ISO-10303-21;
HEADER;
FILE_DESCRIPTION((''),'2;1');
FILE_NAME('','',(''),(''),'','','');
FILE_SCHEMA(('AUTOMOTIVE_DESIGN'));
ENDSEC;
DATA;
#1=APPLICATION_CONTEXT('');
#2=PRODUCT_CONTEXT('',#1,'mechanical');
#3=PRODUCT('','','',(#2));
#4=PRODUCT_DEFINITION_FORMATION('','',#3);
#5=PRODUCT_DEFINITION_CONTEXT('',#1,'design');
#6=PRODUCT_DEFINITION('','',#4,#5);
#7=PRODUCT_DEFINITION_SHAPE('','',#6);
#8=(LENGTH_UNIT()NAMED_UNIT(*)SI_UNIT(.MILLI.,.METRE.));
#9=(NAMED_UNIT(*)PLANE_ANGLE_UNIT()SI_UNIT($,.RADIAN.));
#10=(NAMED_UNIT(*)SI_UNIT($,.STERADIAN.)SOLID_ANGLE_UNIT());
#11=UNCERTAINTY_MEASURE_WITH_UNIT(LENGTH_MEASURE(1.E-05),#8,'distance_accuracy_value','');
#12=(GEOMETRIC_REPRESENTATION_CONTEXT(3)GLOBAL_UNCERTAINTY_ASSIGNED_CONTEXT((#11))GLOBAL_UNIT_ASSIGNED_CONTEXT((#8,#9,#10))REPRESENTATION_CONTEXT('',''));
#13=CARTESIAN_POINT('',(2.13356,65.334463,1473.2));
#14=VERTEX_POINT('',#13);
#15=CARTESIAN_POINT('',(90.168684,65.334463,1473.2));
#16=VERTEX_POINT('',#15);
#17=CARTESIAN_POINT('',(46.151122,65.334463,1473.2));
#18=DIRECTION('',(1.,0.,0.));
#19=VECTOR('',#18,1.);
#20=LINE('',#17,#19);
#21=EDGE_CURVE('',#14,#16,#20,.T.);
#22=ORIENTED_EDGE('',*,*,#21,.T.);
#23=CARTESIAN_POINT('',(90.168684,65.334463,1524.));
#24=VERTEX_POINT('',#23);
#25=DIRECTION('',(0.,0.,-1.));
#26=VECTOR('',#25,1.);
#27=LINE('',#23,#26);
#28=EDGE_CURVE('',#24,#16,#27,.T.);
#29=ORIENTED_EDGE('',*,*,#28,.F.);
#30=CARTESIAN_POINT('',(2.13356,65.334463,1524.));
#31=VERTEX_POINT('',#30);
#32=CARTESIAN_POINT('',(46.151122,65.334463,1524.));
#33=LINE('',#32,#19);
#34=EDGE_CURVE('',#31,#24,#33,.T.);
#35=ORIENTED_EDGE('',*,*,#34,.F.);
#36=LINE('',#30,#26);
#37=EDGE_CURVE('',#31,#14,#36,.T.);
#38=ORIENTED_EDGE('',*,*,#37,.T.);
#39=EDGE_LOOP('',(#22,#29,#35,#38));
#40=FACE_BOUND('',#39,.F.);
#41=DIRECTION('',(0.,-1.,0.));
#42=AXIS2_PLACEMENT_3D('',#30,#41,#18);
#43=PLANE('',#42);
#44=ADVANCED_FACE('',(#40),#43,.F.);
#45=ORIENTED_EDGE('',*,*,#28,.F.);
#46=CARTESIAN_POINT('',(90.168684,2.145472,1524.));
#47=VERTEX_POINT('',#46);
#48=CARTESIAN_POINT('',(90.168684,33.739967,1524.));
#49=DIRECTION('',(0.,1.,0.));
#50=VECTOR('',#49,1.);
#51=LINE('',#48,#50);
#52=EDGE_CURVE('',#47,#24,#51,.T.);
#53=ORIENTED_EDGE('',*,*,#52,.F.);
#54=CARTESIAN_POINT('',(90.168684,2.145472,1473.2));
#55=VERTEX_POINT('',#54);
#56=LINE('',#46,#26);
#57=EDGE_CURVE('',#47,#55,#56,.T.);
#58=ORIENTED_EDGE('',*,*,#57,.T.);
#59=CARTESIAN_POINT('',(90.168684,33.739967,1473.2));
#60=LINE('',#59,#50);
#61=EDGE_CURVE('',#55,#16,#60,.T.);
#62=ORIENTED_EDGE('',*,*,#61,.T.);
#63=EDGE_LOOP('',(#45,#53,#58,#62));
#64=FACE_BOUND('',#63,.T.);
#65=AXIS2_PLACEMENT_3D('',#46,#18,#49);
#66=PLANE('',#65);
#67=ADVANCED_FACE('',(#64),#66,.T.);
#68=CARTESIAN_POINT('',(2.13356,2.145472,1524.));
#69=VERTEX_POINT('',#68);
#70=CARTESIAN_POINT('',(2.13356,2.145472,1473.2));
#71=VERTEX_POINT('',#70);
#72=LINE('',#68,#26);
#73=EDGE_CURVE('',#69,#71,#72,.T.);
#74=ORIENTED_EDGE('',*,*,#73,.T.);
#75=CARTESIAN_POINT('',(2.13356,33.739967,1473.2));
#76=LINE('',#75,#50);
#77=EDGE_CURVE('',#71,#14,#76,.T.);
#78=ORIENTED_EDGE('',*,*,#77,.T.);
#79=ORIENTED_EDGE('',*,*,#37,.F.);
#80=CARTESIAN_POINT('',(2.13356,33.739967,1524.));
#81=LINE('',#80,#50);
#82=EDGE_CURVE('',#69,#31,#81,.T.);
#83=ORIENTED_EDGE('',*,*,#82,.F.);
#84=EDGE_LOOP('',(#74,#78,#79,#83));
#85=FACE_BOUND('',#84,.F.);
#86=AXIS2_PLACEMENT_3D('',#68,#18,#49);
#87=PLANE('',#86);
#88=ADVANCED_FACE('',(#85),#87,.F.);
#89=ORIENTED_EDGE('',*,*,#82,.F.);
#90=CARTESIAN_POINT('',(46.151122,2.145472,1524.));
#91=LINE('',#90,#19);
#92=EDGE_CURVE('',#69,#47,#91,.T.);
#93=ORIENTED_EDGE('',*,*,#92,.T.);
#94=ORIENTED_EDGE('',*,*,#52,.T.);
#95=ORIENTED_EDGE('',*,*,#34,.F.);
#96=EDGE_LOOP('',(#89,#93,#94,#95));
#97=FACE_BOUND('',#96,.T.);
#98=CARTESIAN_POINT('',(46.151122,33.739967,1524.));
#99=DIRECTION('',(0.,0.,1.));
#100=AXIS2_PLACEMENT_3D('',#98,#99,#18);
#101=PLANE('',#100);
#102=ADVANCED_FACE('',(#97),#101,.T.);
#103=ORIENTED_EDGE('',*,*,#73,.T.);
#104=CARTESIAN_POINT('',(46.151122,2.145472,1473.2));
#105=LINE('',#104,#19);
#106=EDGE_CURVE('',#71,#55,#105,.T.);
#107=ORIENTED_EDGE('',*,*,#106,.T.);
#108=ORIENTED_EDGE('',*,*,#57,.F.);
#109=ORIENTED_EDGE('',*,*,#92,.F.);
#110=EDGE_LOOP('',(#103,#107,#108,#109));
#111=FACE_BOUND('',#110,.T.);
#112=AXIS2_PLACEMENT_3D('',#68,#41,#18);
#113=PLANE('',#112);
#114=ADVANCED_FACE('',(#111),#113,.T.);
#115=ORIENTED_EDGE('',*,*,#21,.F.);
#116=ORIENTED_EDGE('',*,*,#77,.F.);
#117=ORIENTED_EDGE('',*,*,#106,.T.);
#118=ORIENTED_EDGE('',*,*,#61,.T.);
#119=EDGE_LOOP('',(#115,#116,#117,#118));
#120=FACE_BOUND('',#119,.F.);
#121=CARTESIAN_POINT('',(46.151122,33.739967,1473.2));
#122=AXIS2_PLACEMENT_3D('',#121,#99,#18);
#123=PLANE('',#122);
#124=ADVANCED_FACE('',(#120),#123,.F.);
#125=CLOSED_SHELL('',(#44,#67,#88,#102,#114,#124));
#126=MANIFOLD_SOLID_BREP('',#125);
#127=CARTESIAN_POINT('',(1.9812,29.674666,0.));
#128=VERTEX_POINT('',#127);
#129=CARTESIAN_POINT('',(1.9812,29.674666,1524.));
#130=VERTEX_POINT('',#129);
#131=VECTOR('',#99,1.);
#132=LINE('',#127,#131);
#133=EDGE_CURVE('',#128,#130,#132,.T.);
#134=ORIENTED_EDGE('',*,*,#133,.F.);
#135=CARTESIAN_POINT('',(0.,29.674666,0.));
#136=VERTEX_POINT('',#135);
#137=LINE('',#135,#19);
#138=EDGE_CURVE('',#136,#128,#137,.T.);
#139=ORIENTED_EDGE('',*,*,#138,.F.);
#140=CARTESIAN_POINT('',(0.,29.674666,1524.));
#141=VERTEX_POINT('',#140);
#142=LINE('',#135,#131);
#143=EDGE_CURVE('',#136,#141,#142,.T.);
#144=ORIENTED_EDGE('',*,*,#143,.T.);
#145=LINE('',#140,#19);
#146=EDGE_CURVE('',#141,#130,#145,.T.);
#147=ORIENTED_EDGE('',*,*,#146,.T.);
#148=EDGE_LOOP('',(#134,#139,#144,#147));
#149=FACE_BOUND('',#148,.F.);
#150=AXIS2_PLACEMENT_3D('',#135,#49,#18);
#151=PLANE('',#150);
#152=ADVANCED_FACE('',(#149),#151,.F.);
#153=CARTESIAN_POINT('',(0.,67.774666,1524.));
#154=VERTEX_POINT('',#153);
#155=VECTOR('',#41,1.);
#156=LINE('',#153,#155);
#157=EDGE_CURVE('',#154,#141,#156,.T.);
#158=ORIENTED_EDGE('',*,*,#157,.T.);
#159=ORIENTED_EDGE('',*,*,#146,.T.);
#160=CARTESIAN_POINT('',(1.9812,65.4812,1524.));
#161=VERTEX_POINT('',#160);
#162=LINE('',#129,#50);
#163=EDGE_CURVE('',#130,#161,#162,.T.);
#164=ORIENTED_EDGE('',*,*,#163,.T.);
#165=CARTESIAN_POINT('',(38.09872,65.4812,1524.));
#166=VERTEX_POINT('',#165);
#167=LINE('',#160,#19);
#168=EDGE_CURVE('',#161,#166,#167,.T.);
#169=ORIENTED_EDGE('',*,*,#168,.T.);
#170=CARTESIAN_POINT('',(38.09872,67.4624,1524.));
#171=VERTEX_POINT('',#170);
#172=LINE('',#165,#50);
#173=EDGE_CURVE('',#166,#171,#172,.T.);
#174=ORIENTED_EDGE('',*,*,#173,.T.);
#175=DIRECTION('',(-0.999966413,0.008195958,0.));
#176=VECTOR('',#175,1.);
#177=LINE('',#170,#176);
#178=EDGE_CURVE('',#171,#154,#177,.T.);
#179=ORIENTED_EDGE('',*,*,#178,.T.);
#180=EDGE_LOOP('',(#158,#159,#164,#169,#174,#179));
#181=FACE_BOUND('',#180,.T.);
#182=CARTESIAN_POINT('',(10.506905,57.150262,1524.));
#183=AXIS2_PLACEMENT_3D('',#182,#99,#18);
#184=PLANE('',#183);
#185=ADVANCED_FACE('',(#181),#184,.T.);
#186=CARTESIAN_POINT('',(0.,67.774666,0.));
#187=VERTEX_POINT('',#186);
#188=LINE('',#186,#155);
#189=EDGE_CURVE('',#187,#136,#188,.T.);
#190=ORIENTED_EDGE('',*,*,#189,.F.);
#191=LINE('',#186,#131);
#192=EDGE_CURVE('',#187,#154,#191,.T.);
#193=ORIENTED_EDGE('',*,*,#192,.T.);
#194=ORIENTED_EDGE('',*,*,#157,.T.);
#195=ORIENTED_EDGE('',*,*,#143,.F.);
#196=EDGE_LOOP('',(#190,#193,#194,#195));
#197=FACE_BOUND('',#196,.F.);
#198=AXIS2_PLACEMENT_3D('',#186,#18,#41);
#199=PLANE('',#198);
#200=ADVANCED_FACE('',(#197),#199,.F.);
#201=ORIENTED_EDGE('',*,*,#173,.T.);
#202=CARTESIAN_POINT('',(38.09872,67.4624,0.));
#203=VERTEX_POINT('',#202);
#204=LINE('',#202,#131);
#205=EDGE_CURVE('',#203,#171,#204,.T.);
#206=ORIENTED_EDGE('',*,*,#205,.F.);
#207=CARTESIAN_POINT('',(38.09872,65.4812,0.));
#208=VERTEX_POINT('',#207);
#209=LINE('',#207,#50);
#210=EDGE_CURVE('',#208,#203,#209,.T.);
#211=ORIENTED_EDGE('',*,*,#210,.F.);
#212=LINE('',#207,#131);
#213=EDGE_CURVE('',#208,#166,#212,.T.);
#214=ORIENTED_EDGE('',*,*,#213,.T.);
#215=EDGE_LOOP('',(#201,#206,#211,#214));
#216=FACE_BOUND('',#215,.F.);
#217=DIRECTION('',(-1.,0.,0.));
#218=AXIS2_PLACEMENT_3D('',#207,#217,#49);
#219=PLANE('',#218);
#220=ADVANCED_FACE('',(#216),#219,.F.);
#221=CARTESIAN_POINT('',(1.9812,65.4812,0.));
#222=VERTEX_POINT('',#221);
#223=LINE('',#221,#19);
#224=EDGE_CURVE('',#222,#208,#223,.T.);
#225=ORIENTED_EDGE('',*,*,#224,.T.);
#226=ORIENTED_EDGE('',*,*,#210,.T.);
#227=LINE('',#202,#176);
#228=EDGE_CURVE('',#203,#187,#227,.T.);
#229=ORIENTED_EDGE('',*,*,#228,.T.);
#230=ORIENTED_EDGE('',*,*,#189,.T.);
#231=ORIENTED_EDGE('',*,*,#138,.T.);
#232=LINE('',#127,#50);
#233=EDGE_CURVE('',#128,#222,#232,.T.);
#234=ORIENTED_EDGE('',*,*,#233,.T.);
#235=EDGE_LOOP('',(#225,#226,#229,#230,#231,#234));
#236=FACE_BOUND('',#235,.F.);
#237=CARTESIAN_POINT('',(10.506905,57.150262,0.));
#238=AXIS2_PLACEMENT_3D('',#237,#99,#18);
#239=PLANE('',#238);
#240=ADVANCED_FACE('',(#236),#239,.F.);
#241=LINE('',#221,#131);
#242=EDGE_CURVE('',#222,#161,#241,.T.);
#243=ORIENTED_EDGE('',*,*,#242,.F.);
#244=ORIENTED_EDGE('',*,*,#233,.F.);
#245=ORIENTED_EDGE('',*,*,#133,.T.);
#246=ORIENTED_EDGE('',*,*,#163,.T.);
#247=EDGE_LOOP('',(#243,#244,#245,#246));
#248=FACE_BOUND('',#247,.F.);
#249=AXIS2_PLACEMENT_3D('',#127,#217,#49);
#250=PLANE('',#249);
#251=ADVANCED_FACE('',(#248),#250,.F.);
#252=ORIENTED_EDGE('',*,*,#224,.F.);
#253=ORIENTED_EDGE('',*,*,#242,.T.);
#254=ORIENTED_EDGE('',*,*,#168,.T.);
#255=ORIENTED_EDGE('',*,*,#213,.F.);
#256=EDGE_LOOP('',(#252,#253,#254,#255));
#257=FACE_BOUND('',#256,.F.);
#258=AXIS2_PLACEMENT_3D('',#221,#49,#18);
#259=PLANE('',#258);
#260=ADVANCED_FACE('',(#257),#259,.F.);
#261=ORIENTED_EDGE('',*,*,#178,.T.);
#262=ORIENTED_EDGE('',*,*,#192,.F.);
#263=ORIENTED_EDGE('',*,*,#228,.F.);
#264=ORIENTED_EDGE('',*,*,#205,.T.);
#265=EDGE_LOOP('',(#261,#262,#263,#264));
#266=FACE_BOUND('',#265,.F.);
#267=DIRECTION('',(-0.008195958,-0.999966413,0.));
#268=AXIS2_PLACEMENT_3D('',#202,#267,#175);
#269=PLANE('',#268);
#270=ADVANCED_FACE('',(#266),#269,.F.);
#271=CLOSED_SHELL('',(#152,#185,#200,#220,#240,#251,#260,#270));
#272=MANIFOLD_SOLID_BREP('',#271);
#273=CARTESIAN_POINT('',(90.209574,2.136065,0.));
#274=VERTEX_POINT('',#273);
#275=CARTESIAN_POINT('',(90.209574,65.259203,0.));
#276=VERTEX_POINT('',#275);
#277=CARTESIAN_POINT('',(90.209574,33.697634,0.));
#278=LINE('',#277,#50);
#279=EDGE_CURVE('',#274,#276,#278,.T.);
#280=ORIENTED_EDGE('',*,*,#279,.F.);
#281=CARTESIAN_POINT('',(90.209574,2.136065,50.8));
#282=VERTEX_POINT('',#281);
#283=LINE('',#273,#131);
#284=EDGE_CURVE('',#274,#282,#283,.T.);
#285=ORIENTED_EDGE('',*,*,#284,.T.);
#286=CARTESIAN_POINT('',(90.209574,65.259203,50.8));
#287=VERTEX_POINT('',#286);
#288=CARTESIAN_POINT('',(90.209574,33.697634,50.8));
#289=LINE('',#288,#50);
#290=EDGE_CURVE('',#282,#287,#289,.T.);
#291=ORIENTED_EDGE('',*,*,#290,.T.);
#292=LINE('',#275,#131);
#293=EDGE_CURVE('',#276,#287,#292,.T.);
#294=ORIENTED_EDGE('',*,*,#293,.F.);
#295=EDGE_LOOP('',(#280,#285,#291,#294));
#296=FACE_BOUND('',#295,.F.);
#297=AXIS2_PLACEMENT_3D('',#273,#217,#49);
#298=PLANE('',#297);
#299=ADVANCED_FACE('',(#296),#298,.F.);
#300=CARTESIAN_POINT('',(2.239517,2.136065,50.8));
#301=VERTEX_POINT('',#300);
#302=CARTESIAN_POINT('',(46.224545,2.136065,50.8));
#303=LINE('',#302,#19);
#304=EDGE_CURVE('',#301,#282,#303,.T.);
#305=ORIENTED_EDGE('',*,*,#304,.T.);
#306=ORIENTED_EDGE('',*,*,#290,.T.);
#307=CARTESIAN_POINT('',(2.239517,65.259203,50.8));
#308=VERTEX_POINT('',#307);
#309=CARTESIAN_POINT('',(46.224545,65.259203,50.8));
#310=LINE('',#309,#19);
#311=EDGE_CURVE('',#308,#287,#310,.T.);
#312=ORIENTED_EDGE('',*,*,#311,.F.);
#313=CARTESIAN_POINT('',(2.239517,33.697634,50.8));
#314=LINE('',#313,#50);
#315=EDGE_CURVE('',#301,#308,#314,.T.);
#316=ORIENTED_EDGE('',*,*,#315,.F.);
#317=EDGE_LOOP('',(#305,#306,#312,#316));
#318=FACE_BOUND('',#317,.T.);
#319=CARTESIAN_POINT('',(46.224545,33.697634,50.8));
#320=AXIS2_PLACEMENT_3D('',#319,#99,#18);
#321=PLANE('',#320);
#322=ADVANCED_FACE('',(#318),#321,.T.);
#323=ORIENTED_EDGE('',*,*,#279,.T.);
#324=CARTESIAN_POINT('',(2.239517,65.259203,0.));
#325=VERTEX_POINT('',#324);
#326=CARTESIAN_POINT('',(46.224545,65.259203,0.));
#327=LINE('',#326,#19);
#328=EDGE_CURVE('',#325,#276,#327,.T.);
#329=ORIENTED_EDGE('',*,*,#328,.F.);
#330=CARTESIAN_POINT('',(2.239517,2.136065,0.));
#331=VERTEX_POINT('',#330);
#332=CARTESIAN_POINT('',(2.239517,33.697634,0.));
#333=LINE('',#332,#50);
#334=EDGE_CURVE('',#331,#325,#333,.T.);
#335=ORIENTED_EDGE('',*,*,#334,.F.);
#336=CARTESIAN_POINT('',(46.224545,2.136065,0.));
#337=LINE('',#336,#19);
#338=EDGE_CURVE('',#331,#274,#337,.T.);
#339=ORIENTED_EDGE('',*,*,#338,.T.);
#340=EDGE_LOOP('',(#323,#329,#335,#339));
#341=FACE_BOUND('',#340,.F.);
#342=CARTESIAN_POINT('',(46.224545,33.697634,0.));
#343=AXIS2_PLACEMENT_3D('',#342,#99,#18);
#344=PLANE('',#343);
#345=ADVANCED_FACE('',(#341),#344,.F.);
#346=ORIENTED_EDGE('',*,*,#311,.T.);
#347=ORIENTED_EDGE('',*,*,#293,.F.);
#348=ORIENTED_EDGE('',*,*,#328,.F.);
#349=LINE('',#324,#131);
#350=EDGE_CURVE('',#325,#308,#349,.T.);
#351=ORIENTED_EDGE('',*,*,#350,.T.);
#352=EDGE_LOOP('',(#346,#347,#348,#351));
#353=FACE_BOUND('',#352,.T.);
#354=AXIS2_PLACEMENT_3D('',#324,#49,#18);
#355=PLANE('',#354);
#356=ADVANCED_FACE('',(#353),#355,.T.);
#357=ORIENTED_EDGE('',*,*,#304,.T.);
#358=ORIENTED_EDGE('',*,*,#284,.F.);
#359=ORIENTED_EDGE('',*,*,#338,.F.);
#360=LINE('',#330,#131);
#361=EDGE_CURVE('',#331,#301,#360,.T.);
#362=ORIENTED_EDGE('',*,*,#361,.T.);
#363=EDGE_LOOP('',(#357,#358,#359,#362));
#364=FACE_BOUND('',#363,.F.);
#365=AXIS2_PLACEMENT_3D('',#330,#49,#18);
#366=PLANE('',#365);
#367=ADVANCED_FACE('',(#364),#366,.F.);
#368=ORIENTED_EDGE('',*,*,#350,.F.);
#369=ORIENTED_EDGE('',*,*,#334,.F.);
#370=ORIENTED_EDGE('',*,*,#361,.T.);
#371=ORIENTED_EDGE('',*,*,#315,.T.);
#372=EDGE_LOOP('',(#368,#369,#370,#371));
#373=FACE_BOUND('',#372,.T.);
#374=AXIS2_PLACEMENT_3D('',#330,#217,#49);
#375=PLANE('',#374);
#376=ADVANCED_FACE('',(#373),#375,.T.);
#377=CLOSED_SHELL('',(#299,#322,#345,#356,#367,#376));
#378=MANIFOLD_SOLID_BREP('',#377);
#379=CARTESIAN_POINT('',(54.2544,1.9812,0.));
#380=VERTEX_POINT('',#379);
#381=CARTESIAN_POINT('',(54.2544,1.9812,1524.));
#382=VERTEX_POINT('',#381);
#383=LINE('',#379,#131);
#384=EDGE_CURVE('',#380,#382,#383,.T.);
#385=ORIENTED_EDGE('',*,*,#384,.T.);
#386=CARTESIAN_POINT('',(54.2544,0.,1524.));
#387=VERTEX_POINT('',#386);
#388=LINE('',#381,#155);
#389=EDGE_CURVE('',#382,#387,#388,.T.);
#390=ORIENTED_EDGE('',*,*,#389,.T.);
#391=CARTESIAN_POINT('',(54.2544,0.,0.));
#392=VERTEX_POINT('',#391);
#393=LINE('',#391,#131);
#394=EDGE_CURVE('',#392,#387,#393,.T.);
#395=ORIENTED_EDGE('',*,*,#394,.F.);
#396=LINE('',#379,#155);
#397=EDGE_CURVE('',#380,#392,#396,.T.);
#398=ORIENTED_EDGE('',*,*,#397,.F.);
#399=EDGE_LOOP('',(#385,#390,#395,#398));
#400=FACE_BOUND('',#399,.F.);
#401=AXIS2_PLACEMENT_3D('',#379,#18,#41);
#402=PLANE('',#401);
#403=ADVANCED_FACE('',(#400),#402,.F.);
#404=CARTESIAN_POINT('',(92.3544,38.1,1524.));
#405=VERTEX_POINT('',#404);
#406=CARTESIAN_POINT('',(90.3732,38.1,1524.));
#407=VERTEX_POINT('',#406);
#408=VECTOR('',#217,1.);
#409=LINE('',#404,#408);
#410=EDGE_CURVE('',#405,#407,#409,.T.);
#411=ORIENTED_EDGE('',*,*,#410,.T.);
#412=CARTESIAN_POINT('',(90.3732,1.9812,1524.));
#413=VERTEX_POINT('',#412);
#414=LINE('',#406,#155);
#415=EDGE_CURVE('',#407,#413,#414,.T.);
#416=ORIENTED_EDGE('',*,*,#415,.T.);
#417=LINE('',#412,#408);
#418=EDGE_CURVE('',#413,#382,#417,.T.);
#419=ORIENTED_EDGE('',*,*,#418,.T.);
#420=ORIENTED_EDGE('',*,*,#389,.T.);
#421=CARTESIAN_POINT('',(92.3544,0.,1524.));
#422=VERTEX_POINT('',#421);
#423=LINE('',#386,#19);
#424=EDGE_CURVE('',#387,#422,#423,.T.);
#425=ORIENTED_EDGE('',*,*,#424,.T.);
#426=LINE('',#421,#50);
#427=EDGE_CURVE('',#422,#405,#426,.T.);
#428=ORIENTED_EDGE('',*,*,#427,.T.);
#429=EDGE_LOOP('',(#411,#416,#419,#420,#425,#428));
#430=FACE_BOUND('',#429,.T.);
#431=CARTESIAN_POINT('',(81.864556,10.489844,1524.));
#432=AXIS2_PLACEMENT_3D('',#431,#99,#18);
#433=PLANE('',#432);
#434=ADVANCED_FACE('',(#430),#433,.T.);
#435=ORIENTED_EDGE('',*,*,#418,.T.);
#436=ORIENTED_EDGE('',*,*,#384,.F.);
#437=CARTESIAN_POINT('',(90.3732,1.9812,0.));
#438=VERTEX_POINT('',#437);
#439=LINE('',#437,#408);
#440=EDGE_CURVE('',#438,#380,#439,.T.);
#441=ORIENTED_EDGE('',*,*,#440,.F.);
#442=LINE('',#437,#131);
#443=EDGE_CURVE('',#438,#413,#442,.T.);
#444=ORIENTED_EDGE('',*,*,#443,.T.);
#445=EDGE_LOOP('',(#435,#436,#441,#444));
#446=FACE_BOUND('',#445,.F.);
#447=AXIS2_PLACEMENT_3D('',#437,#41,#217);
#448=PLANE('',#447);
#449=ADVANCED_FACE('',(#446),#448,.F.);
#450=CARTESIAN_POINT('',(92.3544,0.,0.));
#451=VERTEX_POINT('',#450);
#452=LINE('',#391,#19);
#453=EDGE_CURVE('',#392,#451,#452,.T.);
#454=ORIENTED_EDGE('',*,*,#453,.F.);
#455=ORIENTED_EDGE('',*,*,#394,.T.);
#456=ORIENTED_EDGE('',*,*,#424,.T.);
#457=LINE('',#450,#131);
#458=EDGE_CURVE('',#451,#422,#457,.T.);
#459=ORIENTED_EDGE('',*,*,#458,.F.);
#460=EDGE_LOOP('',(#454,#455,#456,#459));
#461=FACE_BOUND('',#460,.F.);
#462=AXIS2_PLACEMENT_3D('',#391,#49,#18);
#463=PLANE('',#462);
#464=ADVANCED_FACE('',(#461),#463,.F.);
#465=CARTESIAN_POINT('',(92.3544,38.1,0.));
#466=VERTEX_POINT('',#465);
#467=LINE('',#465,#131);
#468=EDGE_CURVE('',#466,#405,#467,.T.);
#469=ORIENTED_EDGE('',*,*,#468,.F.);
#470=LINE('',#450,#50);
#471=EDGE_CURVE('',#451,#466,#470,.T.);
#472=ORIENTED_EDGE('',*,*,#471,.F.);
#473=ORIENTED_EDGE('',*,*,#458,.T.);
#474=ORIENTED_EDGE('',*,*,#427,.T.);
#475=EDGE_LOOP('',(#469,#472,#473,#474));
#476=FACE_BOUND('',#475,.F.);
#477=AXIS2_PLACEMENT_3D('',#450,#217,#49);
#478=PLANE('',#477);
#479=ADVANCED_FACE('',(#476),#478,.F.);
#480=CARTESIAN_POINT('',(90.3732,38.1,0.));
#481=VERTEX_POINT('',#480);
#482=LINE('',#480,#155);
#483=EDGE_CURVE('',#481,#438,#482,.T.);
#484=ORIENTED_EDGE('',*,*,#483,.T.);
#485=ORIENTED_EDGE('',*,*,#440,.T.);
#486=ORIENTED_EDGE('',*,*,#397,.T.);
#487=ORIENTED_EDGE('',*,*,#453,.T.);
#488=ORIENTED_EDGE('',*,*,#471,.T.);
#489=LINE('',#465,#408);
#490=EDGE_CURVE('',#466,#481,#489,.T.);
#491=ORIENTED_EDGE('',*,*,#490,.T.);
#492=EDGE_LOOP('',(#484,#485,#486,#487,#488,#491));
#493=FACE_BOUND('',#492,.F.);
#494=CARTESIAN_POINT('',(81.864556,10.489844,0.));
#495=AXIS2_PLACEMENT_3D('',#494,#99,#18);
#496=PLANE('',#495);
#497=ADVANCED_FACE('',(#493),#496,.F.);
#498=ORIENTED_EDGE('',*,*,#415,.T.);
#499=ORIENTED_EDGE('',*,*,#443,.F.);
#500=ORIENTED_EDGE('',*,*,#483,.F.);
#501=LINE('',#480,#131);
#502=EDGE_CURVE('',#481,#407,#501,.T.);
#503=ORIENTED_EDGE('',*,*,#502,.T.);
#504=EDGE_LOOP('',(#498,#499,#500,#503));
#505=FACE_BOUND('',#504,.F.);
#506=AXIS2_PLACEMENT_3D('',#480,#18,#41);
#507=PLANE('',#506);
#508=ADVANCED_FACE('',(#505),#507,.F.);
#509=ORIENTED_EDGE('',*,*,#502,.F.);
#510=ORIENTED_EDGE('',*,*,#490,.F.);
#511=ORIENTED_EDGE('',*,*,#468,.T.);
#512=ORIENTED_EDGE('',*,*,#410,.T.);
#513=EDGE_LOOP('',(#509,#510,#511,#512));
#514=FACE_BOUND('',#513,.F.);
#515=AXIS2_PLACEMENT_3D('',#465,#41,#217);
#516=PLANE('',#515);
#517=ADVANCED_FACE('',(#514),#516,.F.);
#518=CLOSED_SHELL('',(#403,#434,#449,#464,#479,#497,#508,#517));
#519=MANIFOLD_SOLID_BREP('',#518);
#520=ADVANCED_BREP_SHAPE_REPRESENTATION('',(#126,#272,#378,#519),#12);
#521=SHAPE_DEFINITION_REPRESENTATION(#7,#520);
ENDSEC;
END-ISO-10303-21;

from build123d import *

# Parameters (mm, degrees)
F1_DEPTH = 1524
F0_W     = 87.970057
F0_H     = 63.123137
F2_DEPTH = 50.8
F3_W     = 88.035125
F3_H     = 63.188991
F4_DEPTH = 50.8


with BuildPart() as f1:
    # F0 (on Top) → F1 (new body)
    with BuildSketch(Plane.XY):
        Polygon((38.09872, 67.4624), (0, 67.774666), (0, 29.674666), (1.9812, 29.674666), (1.9812, 65.4812), (38.09872, 65.4812), align=None)
        Polygon((54.2544, 1.9812), (54.2544, 0), (92.3544, 0), (92.3544, 38.1), (90.3732, 38.1), (90.3732, 1.9812), align=None)
    extrude(amount=F1_DEPTH)


with BuildPart() as f2:
    # F0 (on Top) → F2 (new body)
    with BuildSketch(Plane.XY):
        with Locations((46.224545, 33.697634)):
            Rectangle(F0_W, F0_H)
    extrude(amount=F2_DEPTH)


with BuildPart() as f4:
    # F3 (on face) → F4 (new body)
    with BuildSketch(Plane.XY.offset(1524)):
        with Locations((46.151122, 33.739967)):
            Rectangle(F3_W, F3_H)
    extrude(amount=-F4_DEPTH)


solid = Compound([f1.part, f2.part, f4.part])
